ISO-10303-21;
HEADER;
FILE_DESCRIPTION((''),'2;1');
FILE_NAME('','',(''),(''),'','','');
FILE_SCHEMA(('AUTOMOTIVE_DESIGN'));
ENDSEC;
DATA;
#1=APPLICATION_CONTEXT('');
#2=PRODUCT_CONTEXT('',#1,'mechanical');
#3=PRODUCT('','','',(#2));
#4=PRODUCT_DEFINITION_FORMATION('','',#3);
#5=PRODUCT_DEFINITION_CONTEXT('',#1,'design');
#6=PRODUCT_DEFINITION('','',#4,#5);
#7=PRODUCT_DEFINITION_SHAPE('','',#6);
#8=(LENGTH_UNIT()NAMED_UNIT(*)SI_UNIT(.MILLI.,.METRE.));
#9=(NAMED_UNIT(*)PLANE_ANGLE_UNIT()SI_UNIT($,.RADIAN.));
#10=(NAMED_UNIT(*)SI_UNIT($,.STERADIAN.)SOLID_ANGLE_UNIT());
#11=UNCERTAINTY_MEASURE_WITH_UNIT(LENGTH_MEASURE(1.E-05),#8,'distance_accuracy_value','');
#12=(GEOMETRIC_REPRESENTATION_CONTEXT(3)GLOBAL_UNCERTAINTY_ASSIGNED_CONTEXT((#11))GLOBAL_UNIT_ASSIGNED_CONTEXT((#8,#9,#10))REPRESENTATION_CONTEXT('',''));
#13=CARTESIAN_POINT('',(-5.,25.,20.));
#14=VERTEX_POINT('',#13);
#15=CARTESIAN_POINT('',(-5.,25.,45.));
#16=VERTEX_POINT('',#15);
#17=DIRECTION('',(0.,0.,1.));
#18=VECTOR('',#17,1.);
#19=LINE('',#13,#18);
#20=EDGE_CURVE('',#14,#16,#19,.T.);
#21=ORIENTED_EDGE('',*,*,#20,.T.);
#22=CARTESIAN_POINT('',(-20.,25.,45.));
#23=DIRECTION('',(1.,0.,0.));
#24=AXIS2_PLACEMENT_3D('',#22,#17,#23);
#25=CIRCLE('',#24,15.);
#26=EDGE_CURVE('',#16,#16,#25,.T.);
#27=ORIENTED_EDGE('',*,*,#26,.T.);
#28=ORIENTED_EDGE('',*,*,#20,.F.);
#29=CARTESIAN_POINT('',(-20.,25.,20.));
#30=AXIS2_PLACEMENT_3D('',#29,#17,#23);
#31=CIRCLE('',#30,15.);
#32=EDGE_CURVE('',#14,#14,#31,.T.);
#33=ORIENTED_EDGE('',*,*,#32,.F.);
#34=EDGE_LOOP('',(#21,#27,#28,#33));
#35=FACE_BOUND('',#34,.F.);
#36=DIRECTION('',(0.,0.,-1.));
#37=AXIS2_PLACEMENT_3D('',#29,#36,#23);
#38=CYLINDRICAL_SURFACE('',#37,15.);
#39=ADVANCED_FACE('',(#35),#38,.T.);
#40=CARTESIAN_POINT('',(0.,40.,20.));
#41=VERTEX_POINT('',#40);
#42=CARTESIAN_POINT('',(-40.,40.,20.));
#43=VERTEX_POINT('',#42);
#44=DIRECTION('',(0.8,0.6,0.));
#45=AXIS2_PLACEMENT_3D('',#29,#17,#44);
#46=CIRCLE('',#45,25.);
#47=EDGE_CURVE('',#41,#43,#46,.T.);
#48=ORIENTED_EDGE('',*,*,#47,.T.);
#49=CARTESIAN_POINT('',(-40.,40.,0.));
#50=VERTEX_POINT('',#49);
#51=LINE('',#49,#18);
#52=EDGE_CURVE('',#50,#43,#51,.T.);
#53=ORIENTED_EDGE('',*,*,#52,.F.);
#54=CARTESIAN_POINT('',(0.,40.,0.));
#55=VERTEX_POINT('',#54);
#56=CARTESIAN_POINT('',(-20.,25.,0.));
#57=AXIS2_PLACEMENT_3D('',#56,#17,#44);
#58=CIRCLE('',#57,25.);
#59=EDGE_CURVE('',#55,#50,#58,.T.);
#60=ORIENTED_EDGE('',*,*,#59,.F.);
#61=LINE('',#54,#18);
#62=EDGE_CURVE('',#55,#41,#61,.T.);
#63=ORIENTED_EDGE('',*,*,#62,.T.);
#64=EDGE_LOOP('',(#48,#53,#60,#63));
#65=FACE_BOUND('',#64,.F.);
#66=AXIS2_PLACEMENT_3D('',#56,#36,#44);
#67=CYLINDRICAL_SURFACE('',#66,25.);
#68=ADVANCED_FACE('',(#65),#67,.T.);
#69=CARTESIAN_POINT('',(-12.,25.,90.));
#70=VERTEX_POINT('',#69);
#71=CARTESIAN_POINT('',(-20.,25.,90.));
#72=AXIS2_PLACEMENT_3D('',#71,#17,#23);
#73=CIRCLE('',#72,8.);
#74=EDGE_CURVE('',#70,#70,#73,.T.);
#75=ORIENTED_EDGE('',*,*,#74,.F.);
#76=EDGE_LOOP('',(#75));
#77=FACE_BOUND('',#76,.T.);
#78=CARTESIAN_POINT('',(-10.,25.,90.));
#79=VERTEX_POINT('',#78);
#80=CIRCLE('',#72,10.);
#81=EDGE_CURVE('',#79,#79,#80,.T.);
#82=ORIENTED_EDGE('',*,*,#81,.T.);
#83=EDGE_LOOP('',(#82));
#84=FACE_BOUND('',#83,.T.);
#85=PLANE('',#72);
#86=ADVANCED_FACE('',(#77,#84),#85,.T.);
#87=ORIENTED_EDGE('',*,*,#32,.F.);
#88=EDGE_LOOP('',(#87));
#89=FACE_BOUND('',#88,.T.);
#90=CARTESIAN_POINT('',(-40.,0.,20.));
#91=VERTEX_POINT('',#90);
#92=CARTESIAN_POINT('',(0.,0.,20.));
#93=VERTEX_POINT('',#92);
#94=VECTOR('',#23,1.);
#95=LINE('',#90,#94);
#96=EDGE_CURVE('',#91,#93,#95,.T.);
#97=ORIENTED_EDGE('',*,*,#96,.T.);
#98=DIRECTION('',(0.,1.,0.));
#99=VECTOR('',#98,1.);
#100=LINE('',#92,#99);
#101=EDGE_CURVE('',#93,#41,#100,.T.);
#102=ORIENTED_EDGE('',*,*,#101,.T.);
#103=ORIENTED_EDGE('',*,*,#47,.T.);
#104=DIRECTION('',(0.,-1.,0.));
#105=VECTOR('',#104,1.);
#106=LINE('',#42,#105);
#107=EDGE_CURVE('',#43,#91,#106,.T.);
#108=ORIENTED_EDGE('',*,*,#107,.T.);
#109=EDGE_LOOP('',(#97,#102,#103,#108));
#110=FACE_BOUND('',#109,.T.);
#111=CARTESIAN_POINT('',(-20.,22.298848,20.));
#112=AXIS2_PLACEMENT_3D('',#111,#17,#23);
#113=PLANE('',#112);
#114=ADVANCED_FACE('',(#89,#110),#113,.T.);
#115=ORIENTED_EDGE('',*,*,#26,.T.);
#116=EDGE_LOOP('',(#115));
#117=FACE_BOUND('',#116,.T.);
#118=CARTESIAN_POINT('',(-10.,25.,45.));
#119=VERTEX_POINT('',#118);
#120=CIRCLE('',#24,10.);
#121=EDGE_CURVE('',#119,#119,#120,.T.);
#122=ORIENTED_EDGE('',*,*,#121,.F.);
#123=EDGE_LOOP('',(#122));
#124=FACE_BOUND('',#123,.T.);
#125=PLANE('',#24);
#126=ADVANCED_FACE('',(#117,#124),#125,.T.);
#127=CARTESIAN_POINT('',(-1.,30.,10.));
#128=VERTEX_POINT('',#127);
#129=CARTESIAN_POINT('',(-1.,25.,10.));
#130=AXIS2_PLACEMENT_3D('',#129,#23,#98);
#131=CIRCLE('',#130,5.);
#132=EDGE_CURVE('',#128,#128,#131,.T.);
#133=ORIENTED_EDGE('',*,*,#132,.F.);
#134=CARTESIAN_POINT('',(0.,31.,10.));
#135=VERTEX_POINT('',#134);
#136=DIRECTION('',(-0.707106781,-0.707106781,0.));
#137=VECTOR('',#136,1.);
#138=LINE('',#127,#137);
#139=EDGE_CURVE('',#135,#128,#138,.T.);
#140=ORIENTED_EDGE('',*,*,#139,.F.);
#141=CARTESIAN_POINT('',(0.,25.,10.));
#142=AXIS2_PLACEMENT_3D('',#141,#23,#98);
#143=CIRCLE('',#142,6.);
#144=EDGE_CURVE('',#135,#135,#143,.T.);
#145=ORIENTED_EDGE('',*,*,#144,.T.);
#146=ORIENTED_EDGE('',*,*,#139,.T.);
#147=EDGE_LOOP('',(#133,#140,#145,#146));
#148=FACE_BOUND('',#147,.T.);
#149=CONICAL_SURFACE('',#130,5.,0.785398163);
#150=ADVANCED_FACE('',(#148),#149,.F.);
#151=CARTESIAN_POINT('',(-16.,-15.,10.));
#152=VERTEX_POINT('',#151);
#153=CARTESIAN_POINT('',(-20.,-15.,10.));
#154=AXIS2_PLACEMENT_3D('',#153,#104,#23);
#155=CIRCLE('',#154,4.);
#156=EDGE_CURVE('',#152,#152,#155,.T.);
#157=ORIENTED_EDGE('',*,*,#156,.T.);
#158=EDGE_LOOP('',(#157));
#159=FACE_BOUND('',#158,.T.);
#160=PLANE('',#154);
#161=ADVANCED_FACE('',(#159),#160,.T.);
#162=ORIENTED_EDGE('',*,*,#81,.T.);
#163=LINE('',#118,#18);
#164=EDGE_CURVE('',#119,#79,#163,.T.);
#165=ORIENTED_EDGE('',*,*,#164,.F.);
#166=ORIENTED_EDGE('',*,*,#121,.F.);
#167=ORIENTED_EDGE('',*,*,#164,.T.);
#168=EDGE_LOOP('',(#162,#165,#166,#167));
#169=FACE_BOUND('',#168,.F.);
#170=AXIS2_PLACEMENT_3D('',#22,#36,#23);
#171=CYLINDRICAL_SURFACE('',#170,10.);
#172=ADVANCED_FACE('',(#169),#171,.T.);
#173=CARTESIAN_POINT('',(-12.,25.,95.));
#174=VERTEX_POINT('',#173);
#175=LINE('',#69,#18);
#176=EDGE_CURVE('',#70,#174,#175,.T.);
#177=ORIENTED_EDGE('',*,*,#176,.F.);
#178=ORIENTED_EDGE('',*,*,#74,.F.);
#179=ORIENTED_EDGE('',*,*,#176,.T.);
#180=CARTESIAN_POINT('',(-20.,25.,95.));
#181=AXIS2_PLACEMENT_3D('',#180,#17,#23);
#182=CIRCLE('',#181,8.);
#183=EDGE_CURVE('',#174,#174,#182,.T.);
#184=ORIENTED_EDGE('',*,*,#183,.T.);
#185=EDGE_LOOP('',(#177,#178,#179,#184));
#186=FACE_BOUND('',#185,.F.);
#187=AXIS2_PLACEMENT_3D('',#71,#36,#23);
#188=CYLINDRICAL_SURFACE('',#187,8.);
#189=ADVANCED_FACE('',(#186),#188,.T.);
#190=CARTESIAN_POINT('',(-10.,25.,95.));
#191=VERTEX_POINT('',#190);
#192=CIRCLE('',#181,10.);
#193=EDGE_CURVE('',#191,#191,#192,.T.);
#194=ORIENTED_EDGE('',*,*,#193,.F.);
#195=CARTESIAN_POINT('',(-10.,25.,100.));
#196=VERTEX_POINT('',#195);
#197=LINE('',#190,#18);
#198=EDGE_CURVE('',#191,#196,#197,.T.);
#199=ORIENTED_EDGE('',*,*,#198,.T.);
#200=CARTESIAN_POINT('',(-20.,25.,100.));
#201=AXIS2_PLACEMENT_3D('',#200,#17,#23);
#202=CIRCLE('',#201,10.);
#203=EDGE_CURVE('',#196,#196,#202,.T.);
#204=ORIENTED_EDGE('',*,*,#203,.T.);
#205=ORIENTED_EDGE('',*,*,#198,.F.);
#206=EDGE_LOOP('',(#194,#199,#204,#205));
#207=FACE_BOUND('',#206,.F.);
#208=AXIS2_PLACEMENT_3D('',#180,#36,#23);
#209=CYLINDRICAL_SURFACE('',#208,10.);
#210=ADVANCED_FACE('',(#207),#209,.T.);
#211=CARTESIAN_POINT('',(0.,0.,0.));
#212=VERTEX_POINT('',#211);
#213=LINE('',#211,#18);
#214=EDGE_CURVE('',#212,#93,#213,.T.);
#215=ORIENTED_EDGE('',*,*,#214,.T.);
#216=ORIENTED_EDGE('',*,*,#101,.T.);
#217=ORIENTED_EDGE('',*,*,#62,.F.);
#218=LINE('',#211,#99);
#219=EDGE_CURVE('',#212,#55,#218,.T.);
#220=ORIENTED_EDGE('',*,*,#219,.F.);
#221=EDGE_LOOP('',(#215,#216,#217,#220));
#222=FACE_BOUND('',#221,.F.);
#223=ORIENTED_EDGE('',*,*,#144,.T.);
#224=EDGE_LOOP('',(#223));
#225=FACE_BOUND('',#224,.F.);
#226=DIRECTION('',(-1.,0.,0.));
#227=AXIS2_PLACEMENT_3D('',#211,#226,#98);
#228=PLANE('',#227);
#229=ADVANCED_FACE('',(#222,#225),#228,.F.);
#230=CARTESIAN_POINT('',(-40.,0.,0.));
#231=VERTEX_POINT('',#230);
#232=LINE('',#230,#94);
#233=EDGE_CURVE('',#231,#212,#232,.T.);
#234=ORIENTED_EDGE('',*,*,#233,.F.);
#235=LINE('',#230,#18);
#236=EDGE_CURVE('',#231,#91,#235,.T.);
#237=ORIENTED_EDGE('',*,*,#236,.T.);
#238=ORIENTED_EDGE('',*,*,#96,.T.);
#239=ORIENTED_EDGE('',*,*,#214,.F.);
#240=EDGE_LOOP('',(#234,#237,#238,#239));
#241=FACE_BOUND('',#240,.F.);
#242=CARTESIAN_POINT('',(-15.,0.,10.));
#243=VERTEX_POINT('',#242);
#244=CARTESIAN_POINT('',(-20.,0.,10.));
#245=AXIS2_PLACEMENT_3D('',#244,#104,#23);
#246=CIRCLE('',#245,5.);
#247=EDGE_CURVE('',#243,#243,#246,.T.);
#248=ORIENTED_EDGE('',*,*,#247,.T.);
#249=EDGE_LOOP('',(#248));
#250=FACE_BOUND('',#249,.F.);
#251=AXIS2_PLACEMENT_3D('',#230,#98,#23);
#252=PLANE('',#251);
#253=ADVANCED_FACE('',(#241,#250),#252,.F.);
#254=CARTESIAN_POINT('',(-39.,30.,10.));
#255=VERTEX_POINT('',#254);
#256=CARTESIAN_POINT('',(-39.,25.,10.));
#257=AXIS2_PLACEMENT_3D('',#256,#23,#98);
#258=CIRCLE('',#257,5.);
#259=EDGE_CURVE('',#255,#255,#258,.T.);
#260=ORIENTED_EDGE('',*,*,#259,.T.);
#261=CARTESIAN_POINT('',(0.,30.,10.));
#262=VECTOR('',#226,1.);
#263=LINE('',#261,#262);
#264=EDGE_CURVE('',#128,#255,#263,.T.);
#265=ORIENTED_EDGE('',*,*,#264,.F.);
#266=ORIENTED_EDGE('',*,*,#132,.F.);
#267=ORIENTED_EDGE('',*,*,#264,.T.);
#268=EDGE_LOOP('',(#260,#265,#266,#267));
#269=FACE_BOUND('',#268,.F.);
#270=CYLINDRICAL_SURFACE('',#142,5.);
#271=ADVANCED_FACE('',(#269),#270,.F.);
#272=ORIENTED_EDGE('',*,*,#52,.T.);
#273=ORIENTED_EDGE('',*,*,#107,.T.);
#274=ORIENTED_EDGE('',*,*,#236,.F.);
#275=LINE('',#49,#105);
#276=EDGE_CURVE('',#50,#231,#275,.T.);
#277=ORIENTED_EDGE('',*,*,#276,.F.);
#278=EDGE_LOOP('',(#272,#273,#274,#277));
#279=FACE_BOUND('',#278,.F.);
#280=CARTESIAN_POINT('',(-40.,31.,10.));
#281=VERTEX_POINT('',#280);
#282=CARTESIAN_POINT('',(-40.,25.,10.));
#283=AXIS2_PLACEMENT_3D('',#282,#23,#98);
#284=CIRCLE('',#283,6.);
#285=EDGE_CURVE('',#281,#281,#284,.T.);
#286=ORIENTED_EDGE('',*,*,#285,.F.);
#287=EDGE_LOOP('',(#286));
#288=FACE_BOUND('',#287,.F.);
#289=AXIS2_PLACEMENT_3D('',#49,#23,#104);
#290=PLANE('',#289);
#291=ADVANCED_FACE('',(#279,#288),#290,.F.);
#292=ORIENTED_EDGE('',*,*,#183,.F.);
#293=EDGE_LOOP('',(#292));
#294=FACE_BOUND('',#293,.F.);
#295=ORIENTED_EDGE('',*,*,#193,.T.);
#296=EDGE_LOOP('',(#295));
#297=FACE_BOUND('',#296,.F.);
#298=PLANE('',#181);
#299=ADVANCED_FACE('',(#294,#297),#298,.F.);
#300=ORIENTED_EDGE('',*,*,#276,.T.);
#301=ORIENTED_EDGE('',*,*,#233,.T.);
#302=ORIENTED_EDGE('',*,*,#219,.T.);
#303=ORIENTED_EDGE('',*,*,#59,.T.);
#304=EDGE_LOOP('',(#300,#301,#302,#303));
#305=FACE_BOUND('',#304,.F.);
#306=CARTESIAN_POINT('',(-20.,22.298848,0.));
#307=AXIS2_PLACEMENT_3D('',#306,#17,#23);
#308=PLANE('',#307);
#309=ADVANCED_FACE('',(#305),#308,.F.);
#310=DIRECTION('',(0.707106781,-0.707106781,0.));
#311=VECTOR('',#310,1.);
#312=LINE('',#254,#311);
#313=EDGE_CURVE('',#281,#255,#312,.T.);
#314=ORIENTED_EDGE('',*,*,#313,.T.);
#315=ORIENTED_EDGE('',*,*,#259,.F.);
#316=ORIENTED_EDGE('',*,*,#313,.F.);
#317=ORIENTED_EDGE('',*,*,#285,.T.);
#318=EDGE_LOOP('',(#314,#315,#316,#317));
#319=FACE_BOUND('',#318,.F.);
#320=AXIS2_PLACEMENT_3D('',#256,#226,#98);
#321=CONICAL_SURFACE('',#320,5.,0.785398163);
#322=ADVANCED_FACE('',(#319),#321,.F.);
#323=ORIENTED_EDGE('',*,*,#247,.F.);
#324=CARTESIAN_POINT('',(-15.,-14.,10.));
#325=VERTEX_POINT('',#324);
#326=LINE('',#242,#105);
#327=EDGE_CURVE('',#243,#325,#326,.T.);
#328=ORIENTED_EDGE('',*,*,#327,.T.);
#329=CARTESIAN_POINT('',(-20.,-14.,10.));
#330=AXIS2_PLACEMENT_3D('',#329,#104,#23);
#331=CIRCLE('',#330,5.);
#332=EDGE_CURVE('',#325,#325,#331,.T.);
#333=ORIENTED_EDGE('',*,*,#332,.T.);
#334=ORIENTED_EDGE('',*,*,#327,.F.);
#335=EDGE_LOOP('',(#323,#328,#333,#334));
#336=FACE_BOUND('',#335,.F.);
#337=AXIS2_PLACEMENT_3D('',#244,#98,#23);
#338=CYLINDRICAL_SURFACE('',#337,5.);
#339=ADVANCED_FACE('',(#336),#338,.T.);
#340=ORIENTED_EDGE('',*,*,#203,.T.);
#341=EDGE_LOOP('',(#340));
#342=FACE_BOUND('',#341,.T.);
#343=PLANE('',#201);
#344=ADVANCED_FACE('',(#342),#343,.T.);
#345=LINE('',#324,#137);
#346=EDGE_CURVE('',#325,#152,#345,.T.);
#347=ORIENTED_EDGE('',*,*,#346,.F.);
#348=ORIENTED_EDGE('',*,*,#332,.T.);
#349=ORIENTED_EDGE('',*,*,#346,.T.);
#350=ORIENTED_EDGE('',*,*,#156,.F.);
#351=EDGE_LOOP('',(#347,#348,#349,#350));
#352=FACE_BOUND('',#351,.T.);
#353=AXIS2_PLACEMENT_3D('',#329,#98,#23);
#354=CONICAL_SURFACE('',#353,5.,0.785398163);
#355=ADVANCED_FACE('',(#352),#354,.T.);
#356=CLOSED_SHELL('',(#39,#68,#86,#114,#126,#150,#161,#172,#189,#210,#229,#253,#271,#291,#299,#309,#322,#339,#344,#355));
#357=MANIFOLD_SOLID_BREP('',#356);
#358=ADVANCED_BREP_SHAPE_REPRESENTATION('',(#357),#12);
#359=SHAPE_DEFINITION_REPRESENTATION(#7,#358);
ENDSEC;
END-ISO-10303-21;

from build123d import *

# Parameters (mm, degrees)
F1_DEPTH  = 20
F2_R      = 5
F3_DEPTH  = 15
F4_R      = 15
F5_DEPTH  = 25
F6_R      = 10
F7_DEPTH  = 45
F8_R      = 8
F9_DEPTH  = 5
F10_R     = 10
F10_R_2   = 8
F11_DEPTH = 5
F12_R     = 5
F13_DEPTH = 45
F14_SIZE  = 1


with BuildPart() as f1:
    # F0 (on Top) → F1 (new body)
    with BuildSketch(Plane.XY):
        with BuildLine():
            Line((-40, 0), (0, 0))
            Line((0, 0), (0, 40))
            ThreePointArc((0, 40), (-20, 50), (-40, 40))
            Line((-40, 40), (-40, 0))
        make_face()
    extrude(amount=F1_DEPTH)

    # F2 (on face) → F3 (join)
    with BuildSketch(Plane.XZ):
        with Locations((-20, 10)):
            Circle(F2_R)
    extrude(amount=F3_DEPTH)

    # F4 (on face) → F5 (join)
    with BuildSketch(Plane.XY.offset(20)):
        with Locations((-20, 25)):
            Circle(F4_R)
    extrude(amount=F5_DEPTH)

    # F6 (on face) → F7 (join)
    with BuildSketch(Plane.XY.offset(45)):
        with Locations((-20, 25)):
            Circle(F6_R)
    extrude(amount=F7_DEPTH)

    # F8 (on face) → F9 (join)
    with BuildSketch(Plane.XY.offset(90)):
        with Locations((-20, 25)):
            Circle(F8_R)
    extrude(amount=F9_DEPTH)

    # F10 (on face) → F11 (join)
    with BuildSketch(Plane.XY.offset(95)):
        with Locations((-20, 25)):
            Circle(F10_R)
        with Locations((-20, 25)):
            Circle(F10_R_2, mode=Mode.SUBTRACT)
        with Locations((-20, 25)):
            Circle(F10_R_2)
    extrude(amount=F11_DEPTH)

    # F12 (on face) → F13 (cut)
    with BuildSketch(Plane.YZ):
        with Locations((25, 10)):
            Circle(F12_R)
    extrude(amount=-F13_DEPTH, mode=Mode.SUBTRACT)

    # F14
    f14_edges = [f1.edges().sort_by_distance(p)[0] for p in [
        (-25, -15, 10),
        (0, 20, 10),
        (-40, 20, 10),
    ]]
    chamfer(f14_edges, length=F14_SIZE)


solid = f1.part
